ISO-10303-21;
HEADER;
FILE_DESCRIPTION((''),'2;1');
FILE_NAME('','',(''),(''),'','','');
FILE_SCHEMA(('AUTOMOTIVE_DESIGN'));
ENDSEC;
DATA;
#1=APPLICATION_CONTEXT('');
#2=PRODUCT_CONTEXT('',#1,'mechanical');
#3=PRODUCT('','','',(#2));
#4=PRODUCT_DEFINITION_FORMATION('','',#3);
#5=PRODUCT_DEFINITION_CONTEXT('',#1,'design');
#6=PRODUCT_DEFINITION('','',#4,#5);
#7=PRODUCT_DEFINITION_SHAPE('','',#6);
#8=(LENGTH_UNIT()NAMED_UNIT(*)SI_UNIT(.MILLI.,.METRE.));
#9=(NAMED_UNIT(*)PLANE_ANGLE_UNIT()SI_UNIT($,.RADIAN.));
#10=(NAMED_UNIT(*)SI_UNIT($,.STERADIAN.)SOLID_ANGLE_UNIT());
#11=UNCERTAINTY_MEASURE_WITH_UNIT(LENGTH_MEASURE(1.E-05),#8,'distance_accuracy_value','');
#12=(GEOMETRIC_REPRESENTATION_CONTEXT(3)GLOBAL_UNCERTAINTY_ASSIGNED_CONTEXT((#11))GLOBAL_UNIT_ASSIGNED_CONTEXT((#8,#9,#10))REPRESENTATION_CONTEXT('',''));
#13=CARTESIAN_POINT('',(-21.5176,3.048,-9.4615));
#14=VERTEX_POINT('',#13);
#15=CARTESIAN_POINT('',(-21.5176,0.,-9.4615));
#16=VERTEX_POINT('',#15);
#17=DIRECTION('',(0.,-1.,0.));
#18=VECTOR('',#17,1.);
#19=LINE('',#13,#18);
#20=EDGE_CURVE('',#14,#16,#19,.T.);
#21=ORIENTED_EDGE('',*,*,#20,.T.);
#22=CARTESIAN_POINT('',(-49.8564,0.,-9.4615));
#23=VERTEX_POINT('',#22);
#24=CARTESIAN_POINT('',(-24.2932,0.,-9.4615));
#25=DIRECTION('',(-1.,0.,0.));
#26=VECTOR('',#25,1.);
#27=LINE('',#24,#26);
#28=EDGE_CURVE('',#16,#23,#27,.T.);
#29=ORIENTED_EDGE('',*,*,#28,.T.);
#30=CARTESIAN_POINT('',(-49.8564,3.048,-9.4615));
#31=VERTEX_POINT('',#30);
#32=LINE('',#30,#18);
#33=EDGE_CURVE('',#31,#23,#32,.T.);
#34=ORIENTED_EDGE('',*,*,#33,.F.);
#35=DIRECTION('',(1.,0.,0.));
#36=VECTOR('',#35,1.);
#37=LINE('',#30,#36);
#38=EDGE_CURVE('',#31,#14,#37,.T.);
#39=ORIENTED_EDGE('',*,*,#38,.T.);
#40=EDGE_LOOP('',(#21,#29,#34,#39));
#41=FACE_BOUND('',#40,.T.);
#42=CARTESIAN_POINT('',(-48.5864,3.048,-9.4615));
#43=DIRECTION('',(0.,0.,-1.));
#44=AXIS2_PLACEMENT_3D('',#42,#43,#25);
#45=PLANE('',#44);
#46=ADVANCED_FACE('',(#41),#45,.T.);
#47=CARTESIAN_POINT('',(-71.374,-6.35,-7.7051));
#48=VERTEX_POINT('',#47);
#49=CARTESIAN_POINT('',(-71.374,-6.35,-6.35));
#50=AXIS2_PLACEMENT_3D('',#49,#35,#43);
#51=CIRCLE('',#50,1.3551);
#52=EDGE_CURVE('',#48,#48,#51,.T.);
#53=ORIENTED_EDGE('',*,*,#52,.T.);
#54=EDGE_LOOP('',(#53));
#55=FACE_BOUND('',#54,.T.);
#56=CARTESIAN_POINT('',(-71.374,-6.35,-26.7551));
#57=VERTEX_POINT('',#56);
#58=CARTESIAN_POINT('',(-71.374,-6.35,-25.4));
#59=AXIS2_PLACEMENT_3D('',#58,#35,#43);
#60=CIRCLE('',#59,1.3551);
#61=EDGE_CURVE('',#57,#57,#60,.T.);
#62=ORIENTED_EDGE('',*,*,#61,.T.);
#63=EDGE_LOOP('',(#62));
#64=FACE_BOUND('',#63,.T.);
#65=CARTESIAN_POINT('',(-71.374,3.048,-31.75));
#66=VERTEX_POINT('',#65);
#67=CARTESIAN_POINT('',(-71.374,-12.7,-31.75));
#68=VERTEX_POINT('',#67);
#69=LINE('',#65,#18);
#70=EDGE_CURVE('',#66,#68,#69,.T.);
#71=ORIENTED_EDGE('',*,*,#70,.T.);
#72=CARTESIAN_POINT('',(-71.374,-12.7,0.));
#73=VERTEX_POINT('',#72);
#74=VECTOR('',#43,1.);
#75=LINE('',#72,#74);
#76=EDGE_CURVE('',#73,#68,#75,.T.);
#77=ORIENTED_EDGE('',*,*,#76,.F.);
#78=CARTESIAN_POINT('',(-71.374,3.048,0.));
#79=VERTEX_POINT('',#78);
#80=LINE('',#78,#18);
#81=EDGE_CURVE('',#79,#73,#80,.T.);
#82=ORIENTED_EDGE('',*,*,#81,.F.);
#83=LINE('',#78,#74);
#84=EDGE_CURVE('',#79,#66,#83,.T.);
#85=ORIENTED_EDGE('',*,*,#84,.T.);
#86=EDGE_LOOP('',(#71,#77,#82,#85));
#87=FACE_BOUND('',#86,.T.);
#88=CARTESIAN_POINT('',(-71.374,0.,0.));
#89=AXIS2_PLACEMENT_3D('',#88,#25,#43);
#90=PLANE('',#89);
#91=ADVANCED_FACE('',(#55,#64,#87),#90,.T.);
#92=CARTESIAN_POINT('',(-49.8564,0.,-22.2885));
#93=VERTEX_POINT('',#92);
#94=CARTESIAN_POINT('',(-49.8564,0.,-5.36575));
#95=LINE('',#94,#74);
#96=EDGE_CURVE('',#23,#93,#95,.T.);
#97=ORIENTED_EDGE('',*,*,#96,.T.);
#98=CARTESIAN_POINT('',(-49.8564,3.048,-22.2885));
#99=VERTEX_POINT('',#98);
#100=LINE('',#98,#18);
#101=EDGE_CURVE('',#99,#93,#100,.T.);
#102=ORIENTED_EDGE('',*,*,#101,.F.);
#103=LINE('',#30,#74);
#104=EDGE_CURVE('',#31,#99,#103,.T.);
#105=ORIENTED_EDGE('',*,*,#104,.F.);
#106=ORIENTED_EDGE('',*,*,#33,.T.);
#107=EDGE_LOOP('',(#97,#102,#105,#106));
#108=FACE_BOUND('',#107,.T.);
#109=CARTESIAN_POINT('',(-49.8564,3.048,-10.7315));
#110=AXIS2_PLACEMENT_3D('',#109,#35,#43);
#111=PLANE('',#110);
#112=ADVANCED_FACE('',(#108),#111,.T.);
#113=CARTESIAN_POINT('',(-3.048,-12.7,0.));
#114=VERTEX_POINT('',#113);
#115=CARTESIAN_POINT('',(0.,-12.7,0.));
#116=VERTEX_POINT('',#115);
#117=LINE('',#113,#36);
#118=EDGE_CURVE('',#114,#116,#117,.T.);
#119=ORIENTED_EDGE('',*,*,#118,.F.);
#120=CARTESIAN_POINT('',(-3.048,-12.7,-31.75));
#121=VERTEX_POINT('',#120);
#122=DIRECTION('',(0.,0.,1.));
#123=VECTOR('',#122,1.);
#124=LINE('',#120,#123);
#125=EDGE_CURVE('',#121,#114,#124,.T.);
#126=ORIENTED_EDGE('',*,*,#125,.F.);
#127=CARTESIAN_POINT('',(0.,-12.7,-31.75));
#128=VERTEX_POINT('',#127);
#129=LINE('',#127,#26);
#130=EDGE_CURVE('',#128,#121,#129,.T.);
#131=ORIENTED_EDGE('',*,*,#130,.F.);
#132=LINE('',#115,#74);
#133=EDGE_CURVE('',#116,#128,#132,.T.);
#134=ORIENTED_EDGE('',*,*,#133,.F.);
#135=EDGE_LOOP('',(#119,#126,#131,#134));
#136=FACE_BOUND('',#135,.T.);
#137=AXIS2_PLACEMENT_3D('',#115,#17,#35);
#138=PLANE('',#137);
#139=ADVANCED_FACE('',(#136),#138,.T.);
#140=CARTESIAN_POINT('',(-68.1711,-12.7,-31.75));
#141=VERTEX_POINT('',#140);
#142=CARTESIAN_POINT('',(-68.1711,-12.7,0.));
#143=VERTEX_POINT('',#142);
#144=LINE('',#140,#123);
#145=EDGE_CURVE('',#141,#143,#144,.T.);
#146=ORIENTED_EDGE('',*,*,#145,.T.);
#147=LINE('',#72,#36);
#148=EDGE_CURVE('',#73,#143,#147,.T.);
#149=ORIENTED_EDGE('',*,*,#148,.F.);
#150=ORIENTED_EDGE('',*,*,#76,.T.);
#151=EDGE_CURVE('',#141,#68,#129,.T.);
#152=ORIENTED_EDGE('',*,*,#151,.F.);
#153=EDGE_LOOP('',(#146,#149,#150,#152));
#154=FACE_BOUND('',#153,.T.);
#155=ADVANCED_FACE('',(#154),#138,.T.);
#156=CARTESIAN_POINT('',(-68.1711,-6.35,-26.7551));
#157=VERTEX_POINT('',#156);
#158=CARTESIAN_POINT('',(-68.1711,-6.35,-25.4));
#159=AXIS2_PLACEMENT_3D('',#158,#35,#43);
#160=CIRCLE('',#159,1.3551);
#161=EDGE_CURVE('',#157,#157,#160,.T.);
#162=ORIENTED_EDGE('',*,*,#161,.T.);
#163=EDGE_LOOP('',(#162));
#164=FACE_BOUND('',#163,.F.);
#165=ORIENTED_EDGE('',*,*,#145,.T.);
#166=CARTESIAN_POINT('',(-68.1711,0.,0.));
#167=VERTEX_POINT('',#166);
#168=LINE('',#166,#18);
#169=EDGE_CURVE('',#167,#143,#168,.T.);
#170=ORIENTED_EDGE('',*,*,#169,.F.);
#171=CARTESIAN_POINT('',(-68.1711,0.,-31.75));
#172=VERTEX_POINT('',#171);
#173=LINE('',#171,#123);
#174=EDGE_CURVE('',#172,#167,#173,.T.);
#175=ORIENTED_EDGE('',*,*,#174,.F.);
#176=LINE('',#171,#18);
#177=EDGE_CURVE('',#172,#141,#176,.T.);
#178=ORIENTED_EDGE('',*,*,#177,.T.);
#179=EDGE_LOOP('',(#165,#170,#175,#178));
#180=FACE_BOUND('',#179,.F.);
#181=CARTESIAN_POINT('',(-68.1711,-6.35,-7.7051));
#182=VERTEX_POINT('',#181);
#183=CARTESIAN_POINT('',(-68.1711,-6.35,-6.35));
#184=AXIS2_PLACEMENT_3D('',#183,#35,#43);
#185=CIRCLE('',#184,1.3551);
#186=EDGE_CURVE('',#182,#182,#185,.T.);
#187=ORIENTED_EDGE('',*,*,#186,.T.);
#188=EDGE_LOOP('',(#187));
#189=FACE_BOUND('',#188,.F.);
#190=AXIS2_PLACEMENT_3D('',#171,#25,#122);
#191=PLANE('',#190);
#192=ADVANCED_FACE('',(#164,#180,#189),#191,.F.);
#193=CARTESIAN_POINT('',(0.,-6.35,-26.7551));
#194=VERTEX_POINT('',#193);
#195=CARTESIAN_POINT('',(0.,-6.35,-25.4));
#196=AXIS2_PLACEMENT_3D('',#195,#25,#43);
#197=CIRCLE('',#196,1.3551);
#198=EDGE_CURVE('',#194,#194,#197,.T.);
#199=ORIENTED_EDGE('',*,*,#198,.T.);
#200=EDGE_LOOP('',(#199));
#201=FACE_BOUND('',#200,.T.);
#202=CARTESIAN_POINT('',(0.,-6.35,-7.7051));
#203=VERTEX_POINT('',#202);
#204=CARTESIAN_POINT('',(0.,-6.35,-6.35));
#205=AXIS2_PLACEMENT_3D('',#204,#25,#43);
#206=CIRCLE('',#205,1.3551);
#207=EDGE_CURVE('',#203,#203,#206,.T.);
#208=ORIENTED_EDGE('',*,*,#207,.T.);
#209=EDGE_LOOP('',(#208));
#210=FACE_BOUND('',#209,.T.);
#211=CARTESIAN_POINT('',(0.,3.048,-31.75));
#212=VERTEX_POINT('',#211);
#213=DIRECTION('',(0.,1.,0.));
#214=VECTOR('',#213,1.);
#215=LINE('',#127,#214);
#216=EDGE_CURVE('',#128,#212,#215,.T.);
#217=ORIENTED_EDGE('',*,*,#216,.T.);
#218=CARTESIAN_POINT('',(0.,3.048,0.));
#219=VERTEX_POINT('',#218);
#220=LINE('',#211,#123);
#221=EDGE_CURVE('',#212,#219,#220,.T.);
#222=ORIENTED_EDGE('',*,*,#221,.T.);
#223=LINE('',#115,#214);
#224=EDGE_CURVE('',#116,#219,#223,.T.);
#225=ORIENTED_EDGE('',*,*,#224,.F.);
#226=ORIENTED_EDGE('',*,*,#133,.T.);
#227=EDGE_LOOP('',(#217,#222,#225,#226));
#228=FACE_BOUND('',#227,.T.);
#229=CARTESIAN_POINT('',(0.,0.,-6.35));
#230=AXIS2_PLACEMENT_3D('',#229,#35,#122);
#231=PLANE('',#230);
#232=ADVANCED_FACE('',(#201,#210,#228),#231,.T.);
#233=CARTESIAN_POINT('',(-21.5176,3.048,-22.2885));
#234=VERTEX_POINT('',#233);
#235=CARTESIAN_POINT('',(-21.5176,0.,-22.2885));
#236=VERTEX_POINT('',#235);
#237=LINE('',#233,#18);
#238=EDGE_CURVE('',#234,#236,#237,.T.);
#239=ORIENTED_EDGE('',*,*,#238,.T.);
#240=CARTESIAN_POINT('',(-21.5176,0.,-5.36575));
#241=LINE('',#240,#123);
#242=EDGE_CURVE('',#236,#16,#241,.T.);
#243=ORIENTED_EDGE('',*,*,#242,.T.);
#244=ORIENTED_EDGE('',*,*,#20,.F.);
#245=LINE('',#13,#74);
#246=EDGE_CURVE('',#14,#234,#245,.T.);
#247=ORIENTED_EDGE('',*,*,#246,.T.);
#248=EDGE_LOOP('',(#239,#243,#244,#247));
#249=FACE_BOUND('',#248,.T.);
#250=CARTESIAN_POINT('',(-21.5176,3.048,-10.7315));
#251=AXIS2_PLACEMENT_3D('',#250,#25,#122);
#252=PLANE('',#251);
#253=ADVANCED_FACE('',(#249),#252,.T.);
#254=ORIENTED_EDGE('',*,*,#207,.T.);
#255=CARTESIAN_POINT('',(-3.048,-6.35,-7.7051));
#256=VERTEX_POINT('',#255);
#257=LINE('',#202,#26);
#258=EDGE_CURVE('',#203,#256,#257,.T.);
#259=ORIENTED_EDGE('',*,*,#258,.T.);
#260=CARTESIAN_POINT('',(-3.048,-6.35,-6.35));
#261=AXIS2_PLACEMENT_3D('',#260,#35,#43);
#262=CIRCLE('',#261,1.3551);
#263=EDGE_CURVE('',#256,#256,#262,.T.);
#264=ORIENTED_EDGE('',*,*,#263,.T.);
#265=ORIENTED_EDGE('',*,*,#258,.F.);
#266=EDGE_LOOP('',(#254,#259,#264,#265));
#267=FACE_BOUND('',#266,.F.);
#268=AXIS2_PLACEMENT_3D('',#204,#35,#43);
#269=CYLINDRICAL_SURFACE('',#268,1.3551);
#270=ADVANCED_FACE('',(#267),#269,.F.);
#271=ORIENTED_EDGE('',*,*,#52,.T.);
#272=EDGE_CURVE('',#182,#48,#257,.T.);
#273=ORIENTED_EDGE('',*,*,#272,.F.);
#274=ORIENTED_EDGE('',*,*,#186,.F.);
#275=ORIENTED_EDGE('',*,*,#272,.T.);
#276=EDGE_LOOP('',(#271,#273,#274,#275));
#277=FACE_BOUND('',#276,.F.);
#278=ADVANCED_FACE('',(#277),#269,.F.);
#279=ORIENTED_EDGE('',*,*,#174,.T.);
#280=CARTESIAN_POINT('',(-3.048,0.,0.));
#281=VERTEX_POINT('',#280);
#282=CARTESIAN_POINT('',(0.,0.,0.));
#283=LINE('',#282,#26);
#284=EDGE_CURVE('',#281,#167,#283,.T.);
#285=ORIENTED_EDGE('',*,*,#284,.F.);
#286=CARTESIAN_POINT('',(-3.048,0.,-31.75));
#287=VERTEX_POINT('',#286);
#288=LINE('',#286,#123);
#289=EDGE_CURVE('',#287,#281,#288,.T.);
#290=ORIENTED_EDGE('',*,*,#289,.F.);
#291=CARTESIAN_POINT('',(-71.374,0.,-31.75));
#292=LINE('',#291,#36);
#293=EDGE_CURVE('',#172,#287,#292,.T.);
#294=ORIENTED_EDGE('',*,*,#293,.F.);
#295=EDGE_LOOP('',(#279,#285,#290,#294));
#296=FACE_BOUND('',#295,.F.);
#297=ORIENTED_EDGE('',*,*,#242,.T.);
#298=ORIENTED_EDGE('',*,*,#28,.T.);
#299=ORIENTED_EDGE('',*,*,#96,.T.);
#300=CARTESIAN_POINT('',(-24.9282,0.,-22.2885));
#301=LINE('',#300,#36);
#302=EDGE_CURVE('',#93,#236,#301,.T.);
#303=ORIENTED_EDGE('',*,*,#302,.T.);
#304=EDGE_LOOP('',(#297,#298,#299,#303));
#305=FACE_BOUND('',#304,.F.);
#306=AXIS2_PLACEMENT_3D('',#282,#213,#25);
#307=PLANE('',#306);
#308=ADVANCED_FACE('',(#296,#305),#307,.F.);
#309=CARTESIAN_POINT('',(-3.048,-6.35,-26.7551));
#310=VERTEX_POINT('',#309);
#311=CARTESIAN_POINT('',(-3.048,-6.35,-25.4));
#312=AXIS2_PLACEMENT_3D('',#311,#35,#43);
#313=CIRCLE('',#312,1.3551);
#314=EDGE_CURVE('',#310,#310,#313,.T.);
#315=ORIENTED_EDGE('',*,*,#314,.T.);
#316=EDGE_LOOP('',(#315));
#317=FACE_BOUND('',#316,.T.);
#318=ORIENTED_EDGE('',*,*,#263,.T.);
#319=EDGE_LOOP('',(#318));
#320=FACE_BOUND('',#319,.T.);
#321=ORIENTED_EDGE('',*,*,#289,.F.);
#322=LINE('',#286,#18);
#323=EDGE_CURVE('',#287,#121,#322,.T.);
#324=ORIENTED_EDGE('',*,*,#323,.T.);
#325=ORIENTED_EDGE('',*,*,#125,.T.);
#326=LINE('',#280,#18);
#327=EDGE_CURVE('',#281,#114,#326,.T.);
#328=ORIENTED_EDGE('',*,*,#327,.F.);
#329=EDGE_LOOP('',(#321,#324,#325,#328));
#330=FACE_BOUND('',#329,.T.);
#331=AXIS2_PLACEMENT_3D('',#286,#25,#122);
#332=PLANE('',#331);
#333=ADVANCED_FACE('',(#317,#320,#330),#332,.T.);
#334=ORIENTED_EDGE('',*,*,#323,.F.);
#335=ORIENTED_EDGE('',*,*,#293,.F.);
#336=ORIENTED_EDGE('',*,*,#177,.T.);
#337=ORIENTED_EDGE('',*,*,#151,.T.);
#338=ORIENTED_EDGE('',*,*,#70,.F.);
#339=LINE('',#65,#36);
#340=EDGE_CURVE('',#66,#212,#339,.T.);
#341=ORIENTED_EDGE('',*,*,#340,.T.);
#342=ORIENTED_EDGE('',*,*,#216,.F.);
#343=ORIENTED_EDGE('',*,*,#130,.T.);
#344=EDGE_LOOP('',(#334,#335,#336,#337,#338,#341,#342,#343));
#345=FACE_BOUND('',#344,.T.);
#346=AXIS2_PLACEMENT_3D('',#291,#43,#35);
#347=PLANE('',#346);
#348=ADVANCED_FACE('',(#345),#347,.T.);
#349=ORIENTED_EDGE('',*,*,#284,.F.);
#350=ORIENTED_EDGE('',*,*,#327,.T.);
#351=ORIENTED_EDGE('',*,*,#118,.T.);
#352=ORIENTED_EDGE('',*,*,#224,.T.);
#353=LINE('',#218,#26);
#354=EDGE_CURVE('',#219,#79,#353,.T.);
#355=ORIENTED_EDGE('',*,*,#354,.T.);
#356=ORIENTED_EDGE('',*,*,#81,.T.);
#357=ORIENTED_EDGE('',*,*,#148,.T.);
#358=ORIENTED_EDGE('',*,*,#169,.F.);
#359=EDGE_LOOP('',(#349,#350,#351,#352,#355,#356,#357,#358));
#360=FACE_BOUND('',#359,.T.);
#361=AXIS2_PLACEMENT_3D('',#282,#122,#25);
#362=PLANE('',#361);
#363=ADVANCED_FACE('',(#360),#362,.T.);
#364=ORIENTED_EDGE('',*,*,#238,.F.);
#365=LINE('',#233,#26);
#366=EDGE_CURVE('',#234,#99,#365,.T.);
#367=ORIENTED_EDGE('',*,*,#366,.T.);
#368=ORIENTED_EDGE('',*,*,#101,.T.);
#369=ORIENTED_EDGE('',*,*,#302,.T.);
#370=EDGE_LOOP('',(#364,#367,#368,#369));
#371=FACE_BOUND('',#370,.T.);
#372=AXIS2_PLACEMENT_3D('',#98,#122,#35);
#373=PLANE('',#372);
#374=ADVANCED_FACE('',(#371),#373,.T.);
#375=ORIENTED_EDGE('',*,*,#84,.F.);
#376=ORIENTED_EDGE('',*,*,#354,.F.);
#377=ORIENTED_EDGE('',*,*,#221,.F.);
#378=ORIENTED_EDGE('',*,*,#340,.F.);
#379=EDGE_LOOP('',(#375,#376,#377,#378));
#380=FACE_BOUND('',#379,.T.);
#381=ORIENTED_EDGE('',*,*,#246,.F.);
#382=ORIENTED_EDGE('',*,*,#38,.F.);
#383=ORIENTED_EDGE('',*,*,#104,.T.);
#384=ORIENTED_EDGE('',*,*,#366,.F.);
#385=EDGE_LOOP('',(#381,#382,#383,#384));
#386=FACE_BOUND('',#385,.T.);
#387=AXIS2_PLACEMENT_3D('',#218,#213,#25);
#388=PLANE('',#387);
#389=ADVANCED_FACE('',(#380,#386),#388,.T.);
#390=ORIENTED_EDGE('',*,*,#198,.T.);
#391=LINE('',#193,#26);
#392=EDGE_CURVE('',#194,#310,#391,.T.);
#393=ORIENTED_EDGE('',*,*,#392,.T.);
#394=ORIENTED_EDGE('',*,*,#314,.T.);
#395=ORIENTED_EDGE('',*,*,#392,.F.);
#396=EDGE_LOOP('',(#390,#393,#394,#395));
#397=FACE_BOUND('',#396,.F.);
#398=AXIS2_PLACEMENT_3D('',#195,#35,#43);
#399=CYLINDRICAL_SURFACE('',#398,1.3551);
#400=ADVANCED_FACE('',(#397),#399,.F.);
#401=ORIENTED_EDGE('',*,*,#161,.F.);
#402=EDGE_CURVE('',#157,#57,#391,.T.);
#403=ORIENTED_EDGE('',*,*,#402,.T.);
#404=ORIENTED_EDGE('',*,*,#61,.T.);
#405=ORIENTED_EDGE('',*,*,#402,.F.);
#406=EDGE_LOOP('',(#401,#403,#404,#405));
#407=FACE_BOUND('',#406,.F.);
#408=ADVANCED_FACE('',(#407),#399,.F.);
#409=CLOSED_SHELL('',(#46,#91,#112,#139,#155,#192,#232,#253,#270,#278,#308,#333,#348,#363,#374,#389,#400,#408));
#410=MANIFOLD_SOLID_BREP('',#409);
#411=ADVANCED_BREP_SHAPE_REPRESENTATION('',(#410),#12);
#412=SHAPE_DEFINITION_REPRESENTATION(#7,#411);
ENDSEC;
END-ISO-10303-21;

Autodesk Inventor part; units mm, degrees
ref_plane "YZ Plane" through (0, 0, 0) normal (1, 0, 0) x (0, 1, 0)
ref_plane "XZ Plane" through (0, 0, 0) normal (0, 1, 0) x (-1, 0, 0)
ref_plane "XY Plane" through (0, 0, 0) normal (0, 0, 1) x (1, 0, 0)
sketch "Sketch1" plane through (0, 0, 0) normal (0, 1, 0) x (-1, 0, 0)
  line L0 (0, 0) -> (71.374, 0)
  line L1 (71.374, 0) -> (71.374, -19.05)
  line L2 (0, -19.05) -> (0, 0)
  line L3 (71.374, -19.05) -> (71.374, -31.75)
  line L4 (71.374, -31.75) -> (0, -31.75)
  line L5 (0, -31.75) -> (0, -19.05)
  line L6 (71.374, 0) -> (71.374, -6.35)
  line L7 (71.374, -6.35) -> (87.352, -6.35)
  line L8 (71.374, -31.75) -> (71.374, -25.4)
  line L9 (71.374, -25.4) -> (87.352, -25.4)
  line L10 (71.374, -6.35) -> (-10.213, -6.35)
  line L11 (71.374, -25.4) -> (-10.213, -25.4)
  dimension "d0" = 71.374
  dimension "d1" = 19.05
  dimension "d2" = 12.7
  dimension "d3" = 6.35
  dimension "d4" = 6.35
extrude "Extrusion1" add sketch "Sketch1" along normal blind 3.048
sketch "Sketch2" plane through (0, 3.048, 0) normal (0, 1, 0) x (1, 0, 0)
  line L0 (-71.374, 0) -> (0, 0) projected
  line L1 (0, 0) -> (0, 6.35)
  line L2 (0, 0) -> (0, 31.75) projected
  line L3 (0, 6.35) -> (-71.374, 6.35)
  line L4 (-71.374, 31.75) -> (-71.374, 0) projected
  line L5 (-71.374, 31.75) -> (-71.374, 25.4)
  line L6 (-71.374, 25.4) -> (0, 25.4)
  line L7 (0, 6.35) -> (0, 10.7315)
  line L8 (0, 10.7315) -> (-19.0957, 10.7315)
  line L9 (0, 25.4) -> (0, 21.0185)
  line L10 (0, 21.0185) -> (-20.1254, 21.0185)
  line L11 (0, 10.7315) -> (-22.7876, 10.7315)
  line L12 (-71.374, 6.35) -> (-71.374, 10.7315)
  line L13 (-71.374, 10.7315) -> (-48.5864, 10.7315)
  line L14 (-48.5864, 10.7315) -> (-48.5864, 21.0185)
  line L15 (-48.5864, 21.0185) -> (-71.374, 21.0185)
  line L16 (-22.7876, 10.7315) -> (-22.7876, 21.0185)
  line L17 (-22.7876, 21.0185) -> (-20.1254, 21.0185)
  line L18 (-22.7876, 10.7315) -> (-48.5864, 10.7315)
  line L19 (-48.5864, 21.0185) -> (-22.7876, 21.0185)
  line L20 (-21.5176, 10.7315) -> (-21.5176, 21.0185)
  line L21 (-49.8564, 10.7315) -> (-49.8564, 21.0185)
  line L22 (-22.7876, 9.4615) -> (-48.5864, 9.4615)
  line L23 (-48.5864, 22.2885) -> (-22.7876, 22.2885)
  line L24 (-48.5864, 9.4615) -> (-49.8564, 9.4615)
  line L25 (-49.8564, 9.4615) -> (-49.8564, 10.7315)
  line L26 (-49.8564, 21.0185) -> (-49.8564, 22.2885)
  line L27 (-49.8564, 22.2885) -> (-48.5864, 22.2885)
  line L28 (-22.7876, 22.2885) -> (-21.5176, 22.2885)
  line L29 (-21.5176, 22.2885) -> (-21.5176, 21.0185)
  line L30 (-21.5176, 10.7315) -> (-21.5176, 9.4615)
  line L31 (-22.7876, 9.4615) -> (-21.5176, 9.4615)
  dimension "d7" = 6.35
  dimension "d8" = 6.35
  dimension "d9" = 4.3815
  dimension "d10" = 4.3815
  dimension "d11" = 22.7876
  dimension "d12" = 4.3815
  dimension "d13" = 22.7876
  dimension "d14" = 1.27
  dimension "d15" = 1.27
  dimension "d16" = 1.27
  dimension "d17" = 1.27
extrude "Extrusion2" cut sketch "Sketch2" against normal blind 19.177 contours L21 L15 L14 L13 | L13 L18 L11 L30 L31 L22 L24 L25 | L26 L27 L23 L28 L29 L17 L19 L15 | L14 L19 L16 L18 | L11 L16 L17 L20
sketch "Sketch3" plane through (0, 0, 0) normal (0, -1, 0) x (1, 0, 0)
  line L0 (0, -31.75) -> (-71.374, -31.75) projected
  line L1 (0, -31.75) -> (-3.048, -31.75)
  line L2 (-3.048, -31.75) -> (-3.048, 0)
  line L3 (-3.048, 0) -> (0, 0)
  line L4 (0, 0) -> (0, -31.75) projected
  line L5 (0, 0) -> (0, -31.75)
  line L6 (-71.374, -31.75) -> (-68.1711, -31.75)
  line L7 (-68.1711, -31.75) -> (-68.1711, 0)
  line L8 (-71.374, 0) -> (0, 0) projected
  line L9 (-71.374, 0) -> (-68.1711, 0)
  line L10 (-71.374, 0) -> (-71.374, -31.75)
  dimension "d20" = 3.048
extrude "Extrusion3" add sketch "Sketch3" along normal blind 12.7 contours L0 L2 L3 L4 | L0 L10 L8 L7
sketch "Sketch4" plane through (0, 3.048, 0) normal (1, 0, 0) x (0, 0, -1)
  line L0 (0, -15.748) -> (0, 0) projected
  line L1 (0, 0) -> (0, -15.748)
  line L2 (0, -15.748) -> (0, -3.048)
  line L3 (0, -3.048) -> (31.75, -3.048) projected
  line L4 (0, -3.048) -> (31.75, -3.048)
  line L5 (31.75, -3.048) -> (31.75, -15.748)
  line L6 (31.75, -15.748) -> (0, -15.748)
  line L7 (0, -15.748) -> (0, -10.7569)
  line L8 (0, -10.7569) -> (31.75, -10.7569)
  line L9 (0, -3.048) -> (0, -8.0429)
  line L10 (0, -8.0429) -> (31.75, -8.0429)
  line L11 (0, -10.7569) -> (0, -9.398)
  line L12 (0, -9.398) -> (6.35, -9.398)
  circle A0 centre (6.35, -9.398) radius 1.3551
  line L13 (31.75, -9.398) -> (25.4, -9.398)
  circle A1 centre (25.4, -9.398) radius 1.3551
  dimension "d23" = 12.7
  dimension "d24" = 4.9911
  dimension "d25" = 4.9949
  dimension "d26" = 31.75
  dimension "d27" = 1.3589
  dimension "d28" = 6.35
  dimension "d29" = 6.35
extrude "Extrusion4" cut sketch "Sketch4" against normal blind 96.8375 contours A0 | A1
properties part number "Power Switch Mount"
